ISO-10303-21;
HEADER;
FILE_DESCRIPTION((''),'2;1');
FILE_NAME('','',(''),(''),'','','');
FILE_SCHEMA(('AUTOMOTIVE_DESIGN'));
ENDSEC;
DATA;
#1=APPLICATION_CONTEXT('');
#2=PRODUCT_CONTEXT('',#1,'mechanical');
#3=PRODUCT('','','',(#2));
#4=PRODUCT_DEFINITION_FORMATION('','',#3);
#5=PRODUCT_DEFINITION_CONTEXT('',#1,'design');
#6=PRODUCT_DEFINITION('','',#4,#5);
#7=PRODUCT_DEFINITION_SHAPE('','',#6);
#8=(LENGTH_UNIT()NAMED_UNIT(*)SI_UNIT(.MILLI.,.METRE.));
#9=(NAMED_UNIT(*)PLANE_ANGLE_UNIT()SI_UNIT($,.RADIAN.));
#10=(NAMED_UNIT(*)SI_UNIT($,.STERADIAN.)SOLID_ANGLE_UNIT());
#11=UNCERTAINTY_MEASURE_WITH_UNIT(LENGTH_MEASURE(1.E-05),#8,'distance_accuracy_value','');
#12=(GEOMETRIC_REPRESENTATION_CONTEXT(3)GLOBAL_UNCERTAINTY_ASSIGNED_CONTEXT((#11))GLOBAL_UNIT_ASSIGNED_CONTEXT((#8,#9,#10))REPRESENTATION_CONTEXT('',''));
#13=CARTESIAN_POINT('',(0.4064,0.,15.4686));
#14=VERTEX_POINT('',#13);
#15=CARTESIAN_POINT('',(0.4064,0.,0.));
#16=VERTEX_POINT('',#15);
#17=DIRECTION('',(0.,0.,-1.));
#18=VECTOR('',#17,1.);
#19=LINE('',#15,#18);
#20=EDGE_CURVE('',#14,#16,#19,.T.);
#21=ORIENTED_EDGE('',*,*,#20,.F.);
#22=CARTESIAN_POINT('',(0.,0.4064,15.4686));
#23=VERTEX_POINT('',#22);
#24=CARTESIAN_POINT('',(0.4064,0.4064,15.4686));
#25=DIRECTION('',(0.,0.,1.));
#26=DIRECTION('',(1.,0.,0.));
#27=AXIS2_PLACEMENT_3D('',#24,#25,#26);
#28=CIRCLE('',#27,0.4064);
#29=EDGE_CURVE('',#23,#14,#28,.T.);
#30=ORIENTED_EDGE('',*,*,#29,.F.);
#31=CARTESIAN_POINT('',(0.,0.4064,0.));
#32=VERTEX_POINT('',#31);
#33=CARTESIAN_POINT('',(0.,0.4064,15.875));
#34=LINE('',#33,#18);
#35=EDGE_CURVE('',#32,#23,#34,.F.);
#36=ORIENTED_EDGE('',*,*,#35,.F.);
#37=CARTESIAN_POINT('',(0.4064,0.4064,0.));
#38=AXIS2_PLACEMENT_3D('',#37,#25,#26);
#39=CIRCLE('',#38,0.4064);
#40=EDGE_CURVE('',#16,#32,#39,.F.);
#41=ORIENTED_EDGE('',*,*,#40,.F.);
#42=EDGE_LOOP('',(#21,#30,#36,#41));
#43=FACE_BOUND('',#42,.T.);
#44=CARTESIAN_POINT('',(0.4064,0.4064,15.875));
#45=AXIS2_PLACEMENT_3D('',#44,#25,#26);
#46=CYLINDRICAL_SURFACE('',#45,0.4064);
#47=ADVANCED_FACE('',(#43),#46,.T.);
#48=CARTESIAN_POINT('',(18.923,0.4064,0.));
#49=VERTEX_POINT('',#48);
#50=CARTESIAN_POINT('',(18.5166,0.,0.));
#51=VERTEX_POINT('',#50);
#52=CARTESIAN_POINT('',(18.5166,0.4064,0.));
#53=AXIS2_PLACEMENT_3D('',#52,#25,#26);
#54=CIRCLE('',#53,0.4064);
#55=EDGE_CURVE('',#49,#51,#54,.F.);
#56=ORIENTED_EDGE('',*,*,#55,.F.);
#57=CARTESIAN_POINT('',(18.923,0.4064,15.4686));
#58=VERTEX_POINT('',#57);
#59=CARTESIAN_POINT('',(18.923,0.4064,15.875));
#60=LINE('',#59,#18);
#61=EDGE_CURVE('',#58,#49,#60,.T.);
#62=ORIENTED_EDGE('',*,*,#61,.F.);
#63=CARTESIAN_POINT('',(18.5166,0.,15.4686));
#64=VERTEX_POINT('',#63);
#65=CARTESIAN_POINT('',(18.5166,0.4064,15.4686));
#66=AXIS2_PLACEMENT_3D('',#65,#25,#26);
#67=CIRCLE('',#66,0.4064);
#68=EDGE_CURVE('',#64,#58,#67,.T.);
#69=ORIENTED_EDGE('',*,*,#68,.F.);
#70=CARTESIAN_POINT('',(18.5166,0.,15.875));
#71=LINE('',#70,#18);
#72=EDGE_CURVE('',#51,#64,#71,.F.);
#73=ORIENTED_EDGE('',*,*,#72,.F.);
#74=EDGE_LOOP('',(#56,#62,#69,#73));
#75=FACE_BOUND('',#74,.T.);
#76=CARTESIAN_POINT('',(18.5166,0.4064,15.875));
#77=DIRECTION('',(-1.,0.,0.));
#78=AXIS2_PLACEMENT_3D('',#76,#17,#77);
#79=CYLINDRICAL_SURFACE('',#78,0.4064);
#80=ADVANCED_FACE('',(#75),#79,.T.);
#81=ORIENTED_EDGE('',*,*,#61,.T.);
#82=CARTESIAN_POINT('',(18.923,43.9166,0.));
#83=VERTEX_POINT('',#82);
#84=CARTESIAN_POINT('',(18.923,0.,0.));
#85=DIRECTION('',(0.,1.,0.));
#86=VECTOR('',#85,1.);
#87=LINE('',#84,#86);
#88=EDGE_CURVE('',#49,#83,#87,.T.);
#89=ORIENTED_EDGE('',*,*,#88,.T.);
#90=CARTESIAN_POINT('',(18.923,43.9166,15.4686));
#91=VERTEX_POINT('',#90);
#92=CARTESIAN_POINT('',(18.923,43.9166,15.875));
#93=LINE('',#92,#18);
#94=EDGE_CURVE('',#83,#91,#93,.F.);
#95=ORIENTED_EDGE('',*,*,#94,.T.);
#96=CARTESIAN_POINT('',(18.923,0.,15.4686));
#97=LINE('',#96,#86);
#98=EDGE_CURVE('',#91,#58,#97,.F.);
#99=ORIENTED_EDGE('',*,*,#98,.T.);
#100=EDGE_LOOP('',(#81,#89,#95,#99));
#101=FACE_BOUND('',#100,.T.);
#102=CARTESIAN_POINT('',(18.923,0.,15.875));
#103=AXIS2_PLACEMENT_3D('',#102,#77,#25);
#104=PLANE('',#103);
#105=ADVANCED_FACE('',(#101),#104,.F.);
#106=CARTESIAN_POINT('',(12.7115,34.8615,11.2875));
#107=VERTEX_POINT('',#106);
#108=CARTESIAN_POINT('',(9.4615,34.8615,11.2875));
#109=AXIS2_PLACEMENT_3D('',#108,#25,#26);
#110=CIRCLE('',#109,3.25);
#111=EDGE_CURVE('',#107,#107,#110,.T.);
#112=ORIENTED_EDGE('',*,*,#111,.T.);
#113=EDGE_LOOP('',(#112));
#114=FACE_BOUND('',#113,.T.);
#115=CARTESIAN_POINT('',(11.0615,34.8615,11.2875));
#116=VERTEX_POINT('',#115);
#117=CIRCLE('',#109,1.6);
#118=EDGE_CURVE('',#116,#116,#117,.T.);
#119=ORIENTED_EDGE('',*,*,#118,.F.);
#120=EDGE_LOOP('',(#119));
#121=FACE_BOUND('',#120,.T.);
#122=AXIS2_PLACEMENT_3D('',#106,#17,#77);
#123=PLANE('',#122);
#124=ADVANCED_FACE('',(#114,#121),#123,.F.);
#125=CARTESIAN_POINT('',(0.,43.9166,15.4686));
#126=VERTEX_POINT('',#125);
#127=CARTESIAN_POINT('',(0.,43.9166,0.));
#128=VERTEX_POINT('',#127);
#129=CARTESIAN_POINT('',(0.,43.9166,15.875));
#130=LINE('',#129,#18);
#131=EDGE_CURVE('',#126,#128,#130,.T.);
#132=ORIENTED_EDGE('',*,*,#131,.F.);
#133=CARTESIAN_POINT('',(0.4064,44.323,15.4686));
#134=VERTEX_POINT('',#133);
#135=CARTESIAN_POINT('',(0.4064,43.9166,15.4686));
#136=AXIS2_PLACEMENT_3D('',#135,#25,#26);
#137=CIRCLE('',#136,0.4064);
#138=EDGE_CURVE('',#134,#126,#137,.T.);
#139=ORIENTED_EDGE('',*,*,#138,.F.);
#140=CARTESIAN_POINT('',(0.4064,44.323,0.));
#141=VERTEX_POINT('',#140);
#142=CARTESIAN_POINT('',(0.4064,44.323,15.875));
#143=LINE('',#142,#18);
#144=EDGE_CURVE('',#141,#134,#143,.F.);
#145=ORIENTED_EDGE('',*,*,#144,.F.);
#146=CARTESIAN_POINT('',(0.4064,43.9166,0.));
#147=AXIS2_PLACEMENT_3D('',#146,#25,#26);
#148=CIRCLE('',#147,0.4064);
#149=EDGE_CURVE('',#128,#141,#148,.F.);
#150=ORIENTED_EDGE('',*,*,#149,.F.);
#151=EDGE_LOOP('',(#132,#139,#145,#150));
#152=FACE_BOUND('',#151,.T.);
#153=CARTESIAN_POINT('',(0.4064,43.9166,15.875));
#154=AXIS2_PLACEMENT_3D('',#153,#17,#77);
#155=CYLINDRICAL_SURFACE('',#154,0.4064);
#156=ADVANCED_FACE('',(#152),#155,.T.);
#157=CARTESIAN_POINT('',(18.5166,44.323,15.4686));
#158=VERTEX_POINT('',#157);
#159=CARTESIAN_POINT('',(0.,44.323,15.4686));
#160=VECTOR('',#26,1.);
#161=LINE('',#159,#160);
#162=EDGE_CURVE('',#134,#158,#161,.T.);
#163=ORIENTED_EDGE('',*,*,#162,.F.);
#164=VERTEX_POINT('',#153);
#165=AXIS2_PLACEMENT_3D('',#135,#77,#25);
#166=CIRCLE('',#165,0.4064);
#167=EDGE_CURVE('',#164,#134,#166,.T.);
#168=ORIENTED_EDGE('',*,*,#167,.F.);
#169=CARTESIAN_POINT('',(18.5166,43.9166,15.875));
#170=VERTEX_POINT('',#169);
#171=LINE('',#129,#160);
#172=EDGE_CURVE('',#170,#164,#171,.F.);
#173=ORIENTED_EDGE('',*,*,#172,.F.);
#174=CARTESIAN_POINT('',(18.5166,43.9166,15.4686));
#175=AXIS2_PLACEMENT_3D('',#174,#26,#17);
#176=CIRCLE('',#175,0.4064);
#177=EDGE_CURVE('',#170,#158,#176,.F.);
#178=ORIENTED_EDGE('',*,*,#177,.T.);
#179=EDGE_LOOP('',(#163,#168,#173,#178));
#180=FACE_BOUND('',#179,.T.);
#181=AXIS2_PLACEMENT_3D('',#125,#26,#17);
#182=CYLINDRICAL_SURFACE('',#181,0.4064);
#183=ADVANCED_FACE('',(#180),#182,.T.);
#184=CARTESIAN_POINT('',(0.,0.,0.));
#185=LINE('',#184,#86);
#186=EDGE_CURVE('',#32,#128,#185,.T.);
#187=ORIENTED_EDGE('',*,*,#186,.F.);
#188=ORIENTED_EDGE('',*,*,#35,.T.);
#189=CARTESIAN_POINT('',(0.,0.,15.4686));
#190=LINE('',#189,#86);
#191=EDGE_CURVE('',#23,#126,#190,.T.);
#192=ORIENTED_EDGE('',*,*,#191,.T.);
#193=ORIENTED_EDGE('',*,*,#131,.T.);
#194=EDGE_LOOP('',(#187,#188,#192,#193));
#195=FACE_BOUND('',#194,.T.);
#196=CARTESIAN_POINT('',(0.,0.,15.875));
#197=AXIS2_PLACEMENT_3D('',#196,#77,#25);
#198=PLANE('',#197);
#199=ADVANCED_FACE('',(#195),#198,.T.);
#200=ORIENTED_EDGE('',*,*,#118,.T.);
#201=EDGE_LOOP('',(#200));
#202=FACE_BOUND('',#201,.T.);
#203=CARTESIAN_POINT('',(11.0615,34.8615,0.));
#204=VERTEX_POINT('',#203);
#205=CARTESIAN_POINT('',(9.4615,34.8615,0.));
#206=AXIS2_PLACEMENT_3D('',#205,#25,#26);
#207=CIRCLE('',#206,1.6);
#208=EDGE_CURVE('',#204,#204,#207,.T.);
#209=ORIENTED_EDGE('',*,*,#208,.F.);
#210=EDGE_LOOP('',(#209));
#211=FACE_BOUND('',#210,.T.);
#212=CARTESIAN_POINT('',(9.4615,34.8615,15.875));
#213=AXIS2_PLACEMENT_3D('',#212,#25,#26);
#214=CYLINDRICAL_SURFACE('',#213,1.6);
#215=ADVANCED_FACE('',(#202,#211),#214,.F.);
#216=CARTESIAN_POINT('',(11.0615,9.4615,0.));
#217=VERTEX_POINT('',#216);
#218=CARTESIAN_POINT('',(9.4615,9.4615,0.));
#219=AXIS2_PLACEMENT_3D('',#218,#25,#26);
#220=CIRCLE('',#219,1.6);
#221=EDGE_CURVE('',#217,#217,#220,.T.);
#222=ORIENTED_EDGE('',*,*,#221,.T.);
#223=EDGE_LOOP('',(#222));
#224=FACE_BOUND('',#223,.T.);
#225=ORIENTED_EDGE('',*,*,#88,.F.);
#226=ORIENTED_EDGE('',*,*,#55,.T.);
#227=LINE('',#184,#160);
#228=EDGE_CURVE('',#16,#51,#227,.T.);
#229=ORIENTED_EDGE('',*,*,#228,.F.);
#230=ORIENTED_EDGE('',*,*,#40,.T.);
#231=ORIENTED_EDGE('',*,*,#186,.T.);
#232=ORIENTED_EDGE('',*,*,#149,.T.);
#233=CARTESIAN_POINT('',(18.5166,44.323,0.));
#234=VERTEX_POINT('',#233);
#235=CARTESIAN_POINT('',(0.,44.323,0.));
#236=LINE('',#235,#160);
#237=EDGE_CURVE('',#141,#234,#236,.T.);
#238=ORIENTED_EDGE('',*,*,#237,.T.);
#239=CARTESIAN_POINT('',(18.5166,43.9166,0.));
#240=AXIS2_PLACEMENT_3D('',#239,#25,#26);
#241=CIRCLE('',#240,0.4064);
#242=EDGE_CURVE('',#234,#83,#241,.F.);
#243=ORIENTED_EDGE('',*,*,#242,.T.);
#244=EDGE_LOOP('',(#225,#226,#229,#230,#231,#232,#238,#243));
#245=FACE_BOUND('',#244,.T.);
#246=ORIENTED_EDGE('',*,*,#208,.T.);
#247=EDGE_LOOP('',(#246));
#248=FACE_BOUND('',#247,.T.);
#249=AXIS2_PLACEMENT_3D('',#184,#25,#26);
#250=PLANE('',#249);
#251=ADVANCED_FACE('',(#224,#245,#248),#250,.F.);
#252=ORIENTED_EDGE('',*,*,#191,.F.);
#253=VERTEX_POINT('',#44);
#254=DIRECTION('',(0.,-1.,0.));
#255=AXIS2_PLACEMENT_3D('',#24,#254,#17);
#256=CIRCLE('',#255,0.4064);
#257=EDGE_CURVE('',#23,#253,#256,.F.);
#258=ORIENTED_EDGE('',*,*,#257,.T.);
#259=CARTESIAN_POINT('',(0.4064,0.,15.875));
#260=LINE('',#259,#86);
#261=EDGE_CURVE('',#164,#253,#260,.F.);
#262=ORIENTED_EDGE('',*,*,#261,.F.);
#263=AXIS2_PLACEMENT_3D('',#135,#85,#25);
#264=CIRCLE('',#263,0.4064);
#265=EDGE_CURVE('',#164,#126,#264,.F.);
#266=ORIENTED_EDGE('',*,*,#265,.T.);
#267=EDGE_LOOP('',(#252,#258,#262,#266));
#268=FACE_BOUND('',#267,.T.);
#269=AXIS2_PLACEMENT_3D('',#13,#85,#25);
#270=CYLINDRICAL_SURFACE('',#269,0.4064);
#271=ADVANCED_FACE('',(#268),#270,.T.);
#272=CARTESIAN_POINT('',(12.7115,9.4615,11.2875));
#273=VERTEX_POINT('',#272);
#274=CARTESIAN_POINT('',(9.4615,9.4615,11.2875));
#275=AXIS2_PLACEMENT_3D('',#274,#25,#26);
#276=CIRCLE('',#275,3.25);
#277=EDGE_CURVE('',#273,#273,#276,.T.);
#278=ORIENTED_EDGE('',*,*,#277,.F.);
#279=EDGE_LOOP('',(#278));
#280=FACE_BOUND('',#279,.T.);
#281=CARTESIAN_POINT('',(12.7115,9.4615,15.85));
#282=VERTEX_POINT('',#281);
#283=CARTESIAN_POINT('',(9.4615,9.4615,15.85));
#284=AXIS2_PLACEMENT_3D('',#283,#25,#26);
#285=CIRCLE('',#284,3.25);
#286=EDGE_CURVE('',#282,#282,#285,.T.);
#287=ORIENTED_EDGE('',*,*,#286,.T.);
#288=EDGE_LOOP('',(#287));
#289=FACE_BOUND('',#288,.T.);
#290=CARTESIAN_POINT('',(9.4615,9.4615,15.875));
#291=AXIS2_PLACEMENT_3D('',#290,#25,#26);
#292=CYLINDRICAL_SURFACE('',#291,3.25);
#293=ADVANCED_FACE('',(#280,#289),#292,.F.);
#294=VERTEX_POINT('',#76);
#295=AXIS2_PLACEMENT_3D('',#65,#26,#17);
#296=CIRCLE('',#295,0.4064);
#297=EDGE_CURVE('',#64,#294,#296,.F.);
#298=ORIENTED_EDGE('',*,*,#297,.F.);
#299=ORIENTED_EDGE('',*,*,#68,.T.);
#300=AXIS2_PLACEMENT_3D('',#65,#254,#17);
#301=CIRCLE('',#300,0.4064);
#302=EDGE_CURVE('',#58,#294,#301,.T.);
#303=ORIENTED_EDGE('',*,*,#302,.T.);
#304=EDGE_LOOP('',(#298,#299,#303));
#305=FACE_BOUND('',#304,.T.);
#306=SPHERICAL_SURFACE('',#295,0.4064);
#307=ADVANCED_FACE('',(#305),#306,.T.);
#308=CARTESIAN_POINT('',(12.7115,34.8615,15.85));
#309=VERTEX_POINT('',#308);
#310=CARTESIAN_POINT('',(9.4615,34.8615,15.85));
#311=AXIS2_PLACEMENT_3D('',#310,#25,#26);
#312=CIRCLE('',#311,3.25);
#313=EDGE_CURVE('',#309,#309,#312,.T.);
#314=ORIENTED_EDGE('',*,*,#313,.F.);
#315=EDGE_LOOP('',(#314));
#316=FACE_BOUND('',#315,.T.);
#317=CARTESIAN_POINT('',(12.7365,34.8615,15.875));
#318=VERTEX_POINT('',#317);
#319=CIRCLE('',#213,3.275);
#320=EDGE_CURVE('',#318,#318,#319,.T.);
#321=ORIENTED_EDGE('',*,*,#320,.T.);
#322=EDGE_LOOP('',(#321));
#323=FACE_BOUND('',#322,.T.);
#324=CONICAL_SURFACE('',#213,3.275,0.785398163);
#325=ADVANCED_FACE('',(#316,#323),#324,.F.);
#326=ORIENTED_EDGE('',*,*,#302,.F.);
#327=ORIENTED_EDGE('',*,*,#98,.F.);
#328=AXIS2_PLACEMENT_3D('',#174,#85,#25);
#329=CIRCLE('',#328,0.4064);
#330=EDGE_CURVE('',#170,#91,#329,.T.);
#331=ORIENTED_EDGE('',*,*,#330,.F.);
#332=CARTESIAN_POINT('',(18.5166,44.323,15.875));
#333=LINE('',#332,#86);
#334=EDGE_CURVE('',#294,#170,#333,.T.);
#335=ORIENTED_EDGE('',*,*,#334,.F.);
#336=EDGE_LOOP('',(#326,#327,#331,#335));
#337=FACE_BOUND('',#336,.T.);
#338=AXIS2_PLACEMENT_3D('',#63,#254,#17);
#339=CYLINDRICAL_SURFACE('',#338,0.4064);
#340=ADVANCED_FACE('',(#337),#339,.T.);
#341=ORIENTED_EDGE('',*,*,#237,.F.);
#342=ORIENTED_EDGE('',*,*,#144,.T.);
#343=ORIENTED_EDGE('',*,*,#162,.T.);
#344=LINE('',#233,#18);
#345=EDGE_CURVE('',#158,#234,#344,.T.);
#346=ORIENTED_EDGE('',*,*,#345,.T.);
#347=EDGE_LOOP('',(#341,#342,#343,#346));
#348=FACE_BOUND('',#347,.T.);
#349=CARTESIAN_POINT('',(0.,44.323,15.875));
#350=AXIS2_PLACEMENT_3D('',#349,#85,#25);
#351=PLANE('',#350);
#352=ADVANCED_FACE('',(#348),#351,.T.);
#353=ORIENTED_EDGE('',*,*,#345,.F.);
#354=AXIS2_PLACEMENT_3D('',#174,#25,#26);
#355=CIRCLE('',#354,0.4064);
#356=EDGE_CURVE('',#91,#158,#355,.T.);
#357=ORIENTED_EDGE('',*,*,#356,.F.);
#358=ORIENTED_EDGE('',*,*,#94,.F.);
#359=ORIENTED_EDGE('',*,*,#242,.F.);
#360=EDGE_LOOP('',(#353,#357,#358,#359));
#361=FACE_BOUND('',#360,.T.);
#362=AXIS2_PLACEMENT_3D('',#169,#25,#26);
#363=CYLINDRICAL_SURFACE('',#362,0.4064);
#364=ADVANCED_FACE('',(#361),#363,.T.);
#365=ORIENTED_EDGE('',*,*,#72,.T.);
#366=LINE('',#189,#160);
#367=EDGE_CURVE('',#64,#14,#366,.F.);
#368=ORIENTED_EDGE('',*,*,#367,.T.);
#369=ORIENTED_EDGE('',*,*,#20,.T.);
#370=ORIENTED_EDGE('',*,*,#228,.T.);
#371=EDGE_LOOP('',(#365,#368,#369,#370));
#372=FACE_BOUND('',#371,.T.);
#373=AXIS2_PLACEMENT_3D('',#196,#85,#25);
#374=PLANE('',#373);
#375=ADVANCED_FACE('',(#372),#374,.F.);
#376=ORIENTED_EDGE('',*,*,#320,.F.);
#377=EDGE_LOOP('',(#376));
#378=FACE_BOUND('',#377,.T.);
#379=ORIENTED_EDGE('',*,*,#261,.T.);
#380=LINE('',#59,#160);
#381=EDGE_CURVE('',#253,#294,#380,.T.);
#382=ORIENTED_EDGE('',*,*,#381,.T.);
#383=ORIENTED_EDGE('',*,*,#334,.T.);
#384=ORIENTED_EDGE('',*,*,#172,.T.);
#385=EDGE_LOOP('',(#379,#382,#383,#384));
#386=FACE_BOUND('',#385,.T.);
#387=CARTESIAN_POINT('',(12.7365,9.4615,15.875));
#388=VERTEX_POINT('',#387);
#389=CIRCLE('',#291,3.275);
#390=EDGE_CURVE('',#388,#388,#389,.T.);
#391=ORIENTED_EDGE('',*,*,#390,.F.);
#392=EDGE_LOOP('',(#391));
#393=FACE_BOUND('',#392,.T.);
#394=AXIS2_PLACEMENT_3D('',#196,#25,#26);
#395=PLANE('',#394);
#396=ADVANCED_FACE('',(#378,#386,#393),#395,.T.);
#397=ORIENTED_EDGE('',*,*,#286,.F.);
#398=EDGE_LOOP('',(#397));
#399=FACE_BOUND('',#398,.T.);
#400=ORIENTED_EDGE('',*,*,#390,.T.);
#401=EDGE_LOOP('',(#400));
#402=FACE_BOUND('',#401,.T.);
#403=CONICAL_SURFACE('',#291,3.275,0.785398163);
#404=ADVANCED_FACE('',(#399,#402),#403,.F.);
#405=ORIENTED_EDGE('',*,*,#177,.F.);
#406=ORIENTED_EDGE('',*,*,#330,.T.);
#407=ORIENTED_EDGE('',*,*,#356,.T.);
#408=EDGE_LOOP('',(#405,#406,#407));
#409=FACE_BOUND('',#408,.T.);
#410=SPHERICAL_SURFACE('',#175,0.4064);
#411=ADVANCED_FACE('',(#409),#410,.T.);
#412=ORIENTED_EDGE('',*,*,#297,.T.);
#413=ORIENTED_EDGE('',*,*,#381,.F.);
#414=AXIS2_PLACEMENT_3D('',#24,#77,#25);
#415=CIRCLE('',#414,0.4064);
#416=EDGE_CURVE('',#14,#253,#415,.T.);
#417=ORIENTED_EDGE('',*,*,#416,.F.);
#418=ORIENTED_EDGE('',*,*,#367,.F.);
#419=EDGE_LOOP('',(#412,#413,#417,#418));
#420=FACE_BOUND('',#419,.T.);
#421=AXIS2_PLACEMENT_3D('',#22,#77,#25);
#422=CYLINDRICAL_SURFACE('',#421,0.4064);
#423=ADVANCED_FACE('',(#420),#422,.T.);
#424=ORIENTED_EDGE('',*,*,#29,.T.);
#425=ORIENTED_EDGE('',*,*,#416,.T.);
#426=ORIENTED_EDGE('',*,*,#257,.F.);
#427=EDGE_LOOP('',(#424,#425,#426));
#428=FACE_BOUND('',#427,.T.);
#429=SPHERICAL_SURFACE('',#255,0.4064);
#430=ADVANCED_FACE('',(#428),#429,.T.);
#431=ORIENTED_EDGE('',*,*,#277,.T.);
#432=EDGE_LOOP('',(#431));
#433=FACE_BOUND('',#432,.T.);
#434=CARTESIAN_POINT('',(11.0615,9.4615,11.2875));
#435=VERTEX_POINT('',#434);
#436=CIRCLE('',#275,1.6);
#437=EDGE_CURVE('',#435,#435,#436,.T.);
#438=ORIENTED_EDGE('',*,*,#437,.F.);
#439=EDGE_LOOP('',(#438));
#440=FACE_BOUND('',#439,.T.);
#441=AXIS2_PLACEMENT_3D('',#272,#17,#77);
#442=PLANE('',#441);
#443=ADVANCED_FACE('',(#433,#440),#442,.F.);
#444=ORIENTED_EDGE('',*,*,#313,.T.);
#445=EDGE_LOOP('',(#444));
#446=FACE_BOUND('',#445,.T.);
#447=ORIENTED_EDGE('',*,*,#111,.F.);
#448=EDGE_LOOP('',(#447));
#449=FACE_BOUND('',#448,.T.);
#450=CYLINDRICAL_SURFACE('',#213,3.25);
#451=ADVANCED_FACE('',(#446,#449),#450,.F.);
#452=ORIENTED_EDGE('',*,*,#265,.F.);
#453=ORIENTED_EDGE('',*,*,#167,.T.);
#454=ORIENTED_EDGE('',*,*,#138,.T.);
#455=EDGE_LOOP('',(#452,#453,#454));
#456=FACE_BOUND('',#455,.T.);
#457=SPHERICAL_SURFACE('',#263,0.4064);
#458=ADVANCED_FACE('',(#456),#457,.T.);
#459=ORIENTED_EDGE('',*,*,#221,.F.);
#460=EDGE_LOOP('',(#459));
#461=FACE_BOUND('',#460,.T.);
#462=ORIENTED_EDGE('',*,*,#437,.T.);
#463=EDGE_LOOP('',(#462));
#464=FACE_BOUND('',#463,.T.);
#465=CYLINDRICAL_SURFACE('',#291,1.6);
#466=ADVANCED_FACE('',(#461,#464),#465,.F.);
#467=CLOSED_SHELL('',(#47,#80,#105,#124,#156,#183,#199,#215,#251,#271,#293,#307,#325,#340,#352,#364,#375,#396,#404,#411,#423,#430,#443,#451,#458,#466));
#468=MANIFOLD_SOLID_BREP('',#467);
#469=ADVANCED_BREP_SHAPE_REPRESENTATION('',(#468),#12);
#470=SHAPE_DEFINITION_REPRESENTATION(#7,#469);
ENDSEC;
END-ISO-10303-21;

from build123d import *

# Parameters (mm, degrees)
SKETCH1_W                     = 18.923
SKETCH1_H                     = 44.323
SKETCH1_R                     = 1.5875
BOSS_EXTRUDE1_DEPTH           = 15.875
FILLET1_R                     = 0.4064
CBORE_FOR_M3_SHCS1_AT_2_COUNT = 2
CBORE_FOR_M3_SHCS1_AT_2_PITCH = 25.4


with BuildPart() as part:
    # Sketch1 → Boss-Extrude1 (new body)
    with BuildSketch(Plane.XY):
        with Locations((9.4615, 22.1615)):
            Rectangle(SKETCH1_W, SKETCH1_H)
        with Locations((9.4615, 9.4615)):
            Circle(SKETCH1_R, mode=Mode.SUBTRACT)
        with Locations((9.4615, 34.8615)):
            Circle(SKETCH1_R, mode=Mode.SUBTRACT)
    extrude(amount=BOSS_EXTRUDE1_DEPTH)

    # Fillet1
    fillet1_edges = [part.edges().sort_by_distance(p)[0] for p in [
        (0, 0, 7.9375),
        (0, 44.323, 7.9375),
        (18.923, 44.323, 7.9375),
        (18.923, 0, 7.9375),
        (7.874, 34.8615, 15.875),
        (9.4615, 0, 15.875),
        (18.923, 22.1615, 15.875),
        (9.4615, 44.323, 15.875),
        (0, 22.1615, 15.875),
        (7.874, 9.4615, 15.875),
    ]]
    fillet(fillet1_edges, radius=FILLET1_R)

    # Sketch2 → CBORE for M3 SHCS1 (revolve, cut)
    with BuildSketch(Plane(origin=(9.4615, 9.4615, 15.875), x_dir=(0, -1, 0), z_dir=(1, 0, 0))):
        Polygon((0, 0), (0, 15.875), (1.6, 15.875), (1.6, 4.5875), (3.25, 4.5875), (3.25, 0.025), (3.275, 0), align=None)
    cbore_for_m3_shcs1 = revolve(axis=Axis((9.4615, 9.4615, 22.225), (0, 0, -1)), mode=Mode.SUBTRACT)

    # CBORE for M3 SHCS1 at 2: CBORE for M3 SHCS1 ×2
    with Locations(*[(0, i * CBORE_FOR_M3_SHCS1_AT_2_PITCH, 0) for i in range(1, CBORE_FOR_M3_SHCS1_AT_2_COUNT)]):
        add(cbore_for_m3_shcs1, mode=Mode.SUBTRACT)


solid = part.part
